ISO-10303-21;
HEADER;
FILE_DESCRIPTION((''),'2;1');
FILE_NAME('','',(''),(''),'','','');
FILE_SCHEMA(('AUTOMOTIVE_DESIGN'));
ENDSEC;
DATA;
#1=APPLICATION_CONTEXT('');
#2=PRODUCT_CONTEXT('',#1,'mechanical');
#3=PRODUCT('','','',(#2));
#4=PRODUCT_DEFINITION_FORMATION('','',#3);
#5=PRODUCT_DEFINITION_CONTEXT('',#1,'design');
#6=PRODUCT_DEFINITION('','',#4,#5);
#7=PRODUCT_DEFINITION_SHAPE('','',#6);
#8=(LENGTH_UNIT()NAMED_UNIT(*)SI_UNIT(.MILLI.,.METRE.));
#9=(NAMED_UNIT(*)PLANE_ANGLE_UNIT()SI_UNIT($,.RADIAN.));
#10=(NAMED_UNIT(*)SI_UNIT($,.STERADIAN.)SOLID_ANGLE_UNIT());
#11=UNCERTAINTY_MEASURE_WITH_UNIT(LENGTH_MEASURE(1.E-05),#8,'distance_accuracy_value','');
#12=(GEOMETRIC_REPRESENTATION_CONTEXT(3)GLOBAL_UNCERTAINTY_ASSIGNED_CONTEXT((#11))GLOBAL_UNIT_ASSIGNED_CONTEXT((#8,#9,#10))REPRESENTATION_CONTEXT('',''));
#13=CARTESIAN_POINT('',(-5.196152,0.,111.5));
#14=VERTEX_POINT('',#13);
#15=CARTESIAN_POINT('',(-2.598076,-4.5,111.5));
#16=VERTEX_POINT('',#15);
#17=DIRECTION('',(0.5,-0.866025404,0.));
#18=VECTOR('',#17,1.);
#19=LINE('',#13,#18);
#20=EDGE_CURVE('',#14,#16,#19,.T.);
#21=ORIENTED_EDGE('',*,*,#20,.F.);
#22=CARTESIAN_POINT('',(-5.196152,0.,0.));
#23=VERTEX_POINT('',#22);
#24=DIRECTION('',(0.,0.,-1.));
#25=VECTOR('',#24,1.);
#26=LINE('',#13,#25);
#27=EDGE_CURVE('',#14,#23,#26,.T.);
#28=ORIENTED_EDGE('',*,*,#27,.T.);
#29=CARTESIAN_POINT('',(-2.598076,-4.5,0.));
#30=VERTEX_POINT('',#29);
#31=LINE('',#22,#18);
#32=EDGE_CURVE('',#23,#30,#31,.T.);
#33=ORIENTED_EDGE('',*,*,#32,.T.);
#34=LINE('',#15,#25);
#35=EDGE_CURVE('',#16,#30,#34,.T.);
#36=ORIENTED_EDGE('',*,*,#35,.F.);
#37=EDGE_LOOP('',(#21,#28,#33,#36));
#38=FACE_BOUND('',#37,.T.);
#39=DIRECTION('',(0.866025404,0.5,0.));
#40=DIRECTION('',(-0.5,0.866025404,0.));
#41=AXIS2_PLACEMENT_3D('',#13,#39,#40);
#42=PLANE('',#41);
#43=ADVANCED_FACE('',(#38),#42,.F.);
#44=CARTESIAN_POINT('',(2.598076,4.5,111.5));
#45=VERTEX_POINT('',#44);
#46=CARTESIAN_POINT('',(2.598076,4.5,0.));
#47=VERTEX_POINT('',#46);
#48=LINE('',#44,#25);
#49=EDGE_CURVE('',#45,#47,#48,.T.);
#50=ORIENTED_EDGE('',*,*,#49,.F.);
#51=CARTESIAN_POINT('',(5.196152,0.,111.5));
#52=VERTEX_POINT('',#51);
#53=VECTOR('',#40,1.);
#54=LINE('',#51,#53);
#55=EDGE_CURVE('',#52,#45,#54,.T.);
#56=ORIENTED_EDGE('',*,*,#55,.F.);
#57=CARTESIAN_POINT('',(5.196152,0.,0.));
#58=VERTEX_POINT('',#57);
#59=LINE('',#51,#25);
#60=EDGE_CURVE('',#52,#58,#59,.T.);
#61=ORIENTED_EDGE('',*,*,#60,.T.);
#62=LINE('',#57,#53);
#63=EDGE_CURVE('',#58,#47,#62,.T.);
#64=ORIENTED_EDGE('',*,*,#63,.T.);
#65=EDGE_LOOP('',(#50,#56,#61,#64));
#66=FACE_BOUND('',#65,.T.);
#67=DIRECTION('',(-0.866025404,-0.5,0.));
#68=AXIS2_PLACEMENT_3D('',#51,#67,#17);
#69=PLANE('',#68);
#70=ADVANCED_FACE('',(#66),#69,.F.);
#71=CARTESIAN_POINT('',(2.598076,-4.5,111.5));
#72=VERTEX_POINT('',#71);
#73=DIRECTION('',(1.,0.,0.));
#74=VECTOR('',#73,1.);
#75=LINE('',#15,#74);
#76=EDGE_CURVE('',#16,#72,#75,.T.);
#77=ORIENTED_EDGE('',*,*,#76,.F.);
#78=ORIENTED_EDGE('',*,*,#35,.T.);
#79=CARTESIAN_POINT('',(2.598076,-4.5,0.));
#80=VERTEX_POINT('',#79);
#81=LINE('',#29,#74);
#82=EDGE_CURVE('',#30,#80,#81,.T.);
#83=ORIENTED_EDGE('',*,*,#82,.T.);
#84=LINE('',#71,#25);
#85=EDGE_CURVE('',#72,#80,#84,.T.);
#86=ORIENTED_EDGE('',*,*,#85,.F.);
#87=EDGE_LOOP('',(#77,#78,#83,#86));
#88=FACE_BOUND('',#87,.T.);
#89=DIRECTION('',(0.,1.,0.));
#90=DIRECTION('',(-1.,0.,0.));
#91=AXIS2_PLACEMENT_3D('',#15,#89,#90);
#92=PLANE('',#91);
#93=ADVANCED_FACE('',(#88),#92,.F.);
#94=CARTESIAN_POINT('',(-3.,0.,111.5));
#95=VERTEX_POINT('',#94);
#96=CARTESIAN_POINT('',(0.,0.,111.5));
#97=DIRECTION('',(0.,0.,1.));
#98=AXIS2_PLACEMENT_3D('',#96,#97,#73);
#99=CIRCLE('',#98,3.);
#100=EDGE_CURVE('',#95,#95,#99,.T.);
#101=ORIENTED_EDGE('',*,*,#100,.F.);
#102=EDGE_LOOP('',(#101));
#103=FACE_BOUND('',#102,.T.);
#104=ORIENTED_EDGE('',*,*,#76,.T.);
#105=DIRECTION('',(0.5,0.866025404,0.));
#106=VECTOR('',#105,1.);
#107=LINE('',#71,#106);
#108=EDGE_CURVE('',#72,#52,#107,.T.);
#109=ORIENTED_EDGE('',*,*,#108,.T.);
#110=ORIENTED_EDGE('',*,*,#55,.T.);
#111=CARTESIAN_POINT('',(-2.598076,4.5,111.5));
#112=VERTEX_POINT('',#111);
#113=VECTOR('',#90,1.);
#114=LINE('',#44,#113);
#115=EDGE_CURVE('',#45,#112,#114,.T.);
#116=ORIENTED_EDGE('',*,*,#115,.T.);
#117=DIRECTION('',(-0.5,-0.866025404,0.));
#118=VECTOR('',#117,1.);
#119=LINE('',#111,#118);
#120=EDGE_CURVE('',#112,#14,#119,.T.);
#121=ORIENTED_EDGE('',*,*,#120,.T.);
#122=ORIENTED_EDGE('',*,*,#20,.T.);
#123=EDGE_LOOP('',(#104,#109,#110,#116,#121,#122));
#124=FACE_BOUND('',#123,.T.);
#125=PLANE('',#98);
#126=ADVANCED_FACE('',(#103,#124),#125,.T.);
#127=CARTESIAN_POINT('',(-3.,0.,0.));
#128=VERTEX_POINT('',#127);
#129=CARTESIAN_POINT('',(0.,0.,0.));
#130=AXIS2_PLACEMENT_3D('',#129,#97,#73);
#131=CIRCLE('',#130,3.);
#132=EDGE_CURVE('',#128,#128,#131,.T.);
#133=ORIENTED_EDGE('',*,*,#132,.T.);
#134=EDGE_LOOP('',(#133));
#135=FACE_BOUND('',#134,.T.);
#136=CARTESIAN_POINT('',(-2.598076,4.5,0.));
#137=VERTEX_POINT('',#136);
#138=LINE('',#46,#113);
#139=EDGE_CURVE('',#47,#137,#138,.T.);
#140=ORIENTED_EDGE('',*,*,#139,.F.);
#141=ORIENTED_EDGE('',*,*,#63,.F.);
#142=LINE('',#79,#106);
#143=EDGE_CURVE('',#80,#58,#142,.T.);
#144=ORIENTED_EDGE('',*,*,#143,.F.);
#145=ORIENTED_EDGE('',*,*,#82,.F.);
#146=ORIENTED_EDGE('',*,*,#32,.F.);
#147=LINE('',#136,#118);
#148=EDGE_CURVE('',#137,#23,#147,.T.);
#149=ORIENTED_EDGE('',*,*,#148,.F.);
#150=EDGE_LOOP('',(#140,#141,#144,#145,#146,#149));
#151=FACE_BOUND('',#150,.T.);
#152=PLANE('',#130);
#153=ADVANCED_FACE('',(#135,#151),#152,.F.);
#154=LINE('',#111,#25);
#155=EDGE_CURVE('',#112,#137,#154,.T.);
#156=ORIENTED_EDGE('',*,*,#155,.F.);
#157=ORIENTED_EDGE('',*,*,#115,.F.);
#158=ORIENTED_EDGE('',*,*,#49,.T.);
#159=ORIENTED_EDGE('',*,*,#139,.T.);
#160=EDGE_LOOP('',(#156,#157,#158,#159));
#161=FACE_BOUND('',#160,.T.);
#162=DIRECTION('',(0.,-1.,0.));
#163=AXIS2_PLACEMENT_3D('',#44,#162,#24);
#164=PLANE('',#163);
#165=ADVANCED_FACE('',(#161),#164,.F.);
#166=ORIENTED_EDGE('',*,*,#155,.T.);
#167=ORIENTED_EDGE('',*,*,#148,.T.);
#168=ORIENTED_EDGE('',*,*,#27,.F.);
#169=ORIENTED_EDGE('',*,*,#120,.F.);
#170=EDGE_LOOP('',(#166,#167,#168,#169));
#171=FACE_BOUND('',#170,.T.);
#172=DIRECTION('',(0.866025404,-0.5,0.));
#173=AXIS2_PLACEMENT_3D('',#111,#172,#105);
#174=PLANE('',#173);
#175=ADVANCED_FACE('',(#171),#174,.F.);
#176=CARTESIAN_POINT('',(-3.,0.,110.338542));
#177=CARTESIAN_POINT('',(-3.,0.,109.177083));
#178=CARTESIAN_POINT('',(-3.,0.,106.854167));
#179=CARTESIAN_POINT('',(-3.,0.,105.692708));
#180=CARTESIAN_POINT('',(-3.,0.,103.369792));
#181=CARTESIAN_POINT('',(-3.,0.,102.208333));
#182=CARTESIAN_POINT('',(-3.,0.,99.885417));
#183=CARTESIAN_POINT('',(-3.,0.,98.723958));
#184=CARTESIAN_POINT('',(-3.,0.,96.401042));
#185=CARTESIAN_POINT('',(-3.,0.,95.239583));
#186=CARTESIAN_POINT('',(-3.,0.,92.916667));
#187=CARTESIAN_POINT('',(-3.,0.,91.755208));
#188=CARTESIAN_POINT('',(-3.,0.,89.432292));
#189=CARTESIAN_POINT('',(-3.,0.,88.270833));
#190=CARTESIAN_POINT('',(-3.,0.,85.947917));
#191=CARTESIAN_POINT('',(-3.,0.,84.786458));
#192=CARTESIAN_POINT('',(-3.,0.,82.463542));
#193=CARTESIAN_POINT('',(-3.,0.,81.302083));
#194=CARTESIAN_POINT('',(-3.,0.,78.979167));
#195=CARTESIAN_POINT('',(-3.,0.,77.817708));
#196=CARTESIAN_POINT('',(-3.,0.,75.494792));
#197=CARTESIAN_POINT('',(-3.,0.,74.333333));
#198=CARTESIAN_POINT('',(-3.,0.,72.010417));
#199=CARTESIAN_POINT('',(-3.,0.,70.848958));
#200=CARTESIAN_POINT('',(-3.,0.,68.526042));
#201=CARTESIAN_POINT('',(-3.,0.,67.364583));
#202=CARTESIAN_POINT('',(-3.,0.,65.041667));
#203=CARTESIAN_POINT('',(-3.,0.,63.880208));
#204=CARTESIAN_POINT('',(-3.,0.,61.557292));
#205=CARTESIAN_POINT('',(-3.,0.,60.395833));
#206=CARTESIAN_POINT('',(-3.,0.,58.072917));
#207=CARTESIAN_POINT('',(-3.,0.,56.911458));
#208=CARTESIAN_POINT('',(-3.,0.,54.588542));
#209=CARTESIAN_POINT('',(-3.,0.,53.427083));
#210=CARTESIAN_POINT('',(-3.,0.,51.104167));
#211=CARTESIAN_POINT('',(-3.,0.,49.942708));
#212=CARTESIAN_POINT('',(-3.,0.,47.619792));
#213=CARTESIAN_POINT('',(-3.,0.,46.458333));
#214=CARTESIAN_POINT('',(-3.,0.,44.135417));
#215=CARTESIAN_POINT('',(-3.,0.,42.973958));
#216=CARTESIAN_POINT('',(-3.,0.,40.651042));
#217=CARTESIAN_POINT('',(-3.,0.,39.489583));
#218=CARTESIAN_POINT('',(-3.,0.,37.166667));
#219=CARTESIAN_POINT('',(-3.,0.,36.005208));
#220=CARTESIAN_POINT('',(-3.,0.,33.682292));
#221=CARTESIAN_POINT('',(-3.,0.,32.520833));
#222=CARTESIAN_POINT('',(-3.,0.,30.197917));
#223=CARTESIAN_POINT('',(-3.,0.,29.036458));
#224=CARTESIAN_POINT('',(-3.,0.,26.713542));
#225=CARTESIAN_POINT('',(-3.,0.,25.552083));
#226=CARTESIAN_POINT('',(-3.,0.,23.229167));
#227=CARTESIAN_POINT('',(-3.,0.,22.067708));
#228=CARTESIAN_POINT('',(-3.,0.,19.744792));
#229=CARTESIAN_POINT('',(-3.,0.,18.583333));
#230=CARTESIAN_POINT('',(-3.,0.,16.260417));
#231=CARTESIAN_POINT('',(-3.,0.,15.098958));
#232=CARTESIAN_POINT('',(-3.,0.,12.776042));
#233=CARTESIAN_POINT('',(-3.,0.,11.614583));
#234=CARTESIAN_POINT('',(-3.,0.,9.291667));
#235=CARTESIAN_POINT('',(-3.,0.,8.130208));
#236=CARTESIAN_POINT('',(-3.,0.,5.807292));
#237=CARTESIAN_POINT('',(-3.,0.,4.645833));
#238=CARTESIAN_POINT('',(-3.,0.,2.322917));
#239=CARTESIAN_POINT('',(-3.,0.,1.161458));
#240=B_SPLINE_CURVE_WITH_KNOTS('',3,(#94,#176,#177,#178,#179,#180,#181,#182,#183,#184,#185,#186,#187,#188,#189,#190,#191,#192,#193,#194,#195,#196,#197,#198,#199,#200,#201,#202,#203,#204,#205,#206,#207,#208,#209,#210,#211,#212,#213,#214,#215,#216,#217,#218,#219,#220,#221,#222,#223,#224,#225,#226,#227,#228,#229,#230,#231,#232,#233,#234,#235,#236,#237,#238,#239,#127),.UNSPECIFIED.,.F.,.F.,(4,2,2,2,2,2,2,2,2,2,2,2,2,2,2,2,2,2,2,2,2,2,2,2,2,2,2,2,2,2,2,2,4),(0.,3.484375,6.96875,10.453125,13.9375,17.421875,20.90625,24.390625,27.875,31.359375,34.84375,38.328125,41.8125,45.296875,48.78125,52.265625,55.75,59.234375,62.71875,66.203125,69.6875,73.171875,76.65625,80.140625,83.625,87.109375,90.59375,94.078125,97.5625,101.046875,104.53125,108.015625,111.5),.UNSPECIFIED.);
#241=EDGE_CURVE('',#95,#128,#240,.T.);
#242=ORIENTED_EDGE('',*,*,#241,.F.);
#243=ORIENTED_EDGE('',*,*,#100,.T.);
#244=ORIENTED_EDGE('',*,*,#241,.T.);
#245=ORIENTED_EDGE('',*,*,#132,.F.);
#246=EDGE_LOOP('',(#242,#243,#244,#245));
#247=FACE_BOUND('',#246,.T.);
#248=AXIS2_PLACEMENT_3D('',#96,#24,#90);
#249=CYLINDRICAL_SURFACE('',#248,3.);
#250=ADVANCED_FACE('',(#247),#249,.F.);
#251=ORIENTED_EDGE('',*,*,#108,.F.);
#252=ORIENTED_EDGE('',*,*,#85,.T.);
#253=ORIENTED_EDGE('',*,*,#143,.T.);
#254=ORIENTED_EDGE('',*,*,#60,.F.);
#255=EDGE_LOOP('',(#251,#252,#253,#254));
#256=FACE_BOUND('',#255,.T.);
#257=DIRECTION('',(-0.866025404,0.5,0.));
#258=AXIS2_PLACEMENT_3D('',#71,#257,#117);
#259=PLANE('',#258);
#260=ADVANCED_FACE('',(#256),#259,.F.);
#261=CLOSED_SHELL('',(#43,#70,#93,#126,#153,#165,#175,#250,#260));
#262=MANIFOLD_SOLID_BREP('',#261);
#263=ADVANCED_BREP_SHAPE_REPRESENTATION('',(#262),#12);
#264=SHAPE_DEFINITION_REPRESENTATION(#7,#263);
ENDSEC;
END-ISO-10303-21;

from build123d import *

# Parameters (mm, degrees)
SKETCH_1_R      = 3
EXTRUDE_1_DEPTH = 111.5


with BuildPart() as part:
    # 草图1 → 凸台-拉伸1 (new body)
    with BuildSketch(Plane.XY):
        Polygon((5.196152423, 0), (2.598076211, 4.5), (-2.598076211, 4.5), (-5.196152423, 0), (-2.598076211, -4.5), (2.598076211, -4.5), align=None)
        with Locations(Location((0, 0, 0), (0, 0, 180))):
            Circle(SKETCH_1_R, mode=Mode.SUBTRACT)
    extrude(amount=EXTRUDE_1_DEPTH)


solid = part.part
